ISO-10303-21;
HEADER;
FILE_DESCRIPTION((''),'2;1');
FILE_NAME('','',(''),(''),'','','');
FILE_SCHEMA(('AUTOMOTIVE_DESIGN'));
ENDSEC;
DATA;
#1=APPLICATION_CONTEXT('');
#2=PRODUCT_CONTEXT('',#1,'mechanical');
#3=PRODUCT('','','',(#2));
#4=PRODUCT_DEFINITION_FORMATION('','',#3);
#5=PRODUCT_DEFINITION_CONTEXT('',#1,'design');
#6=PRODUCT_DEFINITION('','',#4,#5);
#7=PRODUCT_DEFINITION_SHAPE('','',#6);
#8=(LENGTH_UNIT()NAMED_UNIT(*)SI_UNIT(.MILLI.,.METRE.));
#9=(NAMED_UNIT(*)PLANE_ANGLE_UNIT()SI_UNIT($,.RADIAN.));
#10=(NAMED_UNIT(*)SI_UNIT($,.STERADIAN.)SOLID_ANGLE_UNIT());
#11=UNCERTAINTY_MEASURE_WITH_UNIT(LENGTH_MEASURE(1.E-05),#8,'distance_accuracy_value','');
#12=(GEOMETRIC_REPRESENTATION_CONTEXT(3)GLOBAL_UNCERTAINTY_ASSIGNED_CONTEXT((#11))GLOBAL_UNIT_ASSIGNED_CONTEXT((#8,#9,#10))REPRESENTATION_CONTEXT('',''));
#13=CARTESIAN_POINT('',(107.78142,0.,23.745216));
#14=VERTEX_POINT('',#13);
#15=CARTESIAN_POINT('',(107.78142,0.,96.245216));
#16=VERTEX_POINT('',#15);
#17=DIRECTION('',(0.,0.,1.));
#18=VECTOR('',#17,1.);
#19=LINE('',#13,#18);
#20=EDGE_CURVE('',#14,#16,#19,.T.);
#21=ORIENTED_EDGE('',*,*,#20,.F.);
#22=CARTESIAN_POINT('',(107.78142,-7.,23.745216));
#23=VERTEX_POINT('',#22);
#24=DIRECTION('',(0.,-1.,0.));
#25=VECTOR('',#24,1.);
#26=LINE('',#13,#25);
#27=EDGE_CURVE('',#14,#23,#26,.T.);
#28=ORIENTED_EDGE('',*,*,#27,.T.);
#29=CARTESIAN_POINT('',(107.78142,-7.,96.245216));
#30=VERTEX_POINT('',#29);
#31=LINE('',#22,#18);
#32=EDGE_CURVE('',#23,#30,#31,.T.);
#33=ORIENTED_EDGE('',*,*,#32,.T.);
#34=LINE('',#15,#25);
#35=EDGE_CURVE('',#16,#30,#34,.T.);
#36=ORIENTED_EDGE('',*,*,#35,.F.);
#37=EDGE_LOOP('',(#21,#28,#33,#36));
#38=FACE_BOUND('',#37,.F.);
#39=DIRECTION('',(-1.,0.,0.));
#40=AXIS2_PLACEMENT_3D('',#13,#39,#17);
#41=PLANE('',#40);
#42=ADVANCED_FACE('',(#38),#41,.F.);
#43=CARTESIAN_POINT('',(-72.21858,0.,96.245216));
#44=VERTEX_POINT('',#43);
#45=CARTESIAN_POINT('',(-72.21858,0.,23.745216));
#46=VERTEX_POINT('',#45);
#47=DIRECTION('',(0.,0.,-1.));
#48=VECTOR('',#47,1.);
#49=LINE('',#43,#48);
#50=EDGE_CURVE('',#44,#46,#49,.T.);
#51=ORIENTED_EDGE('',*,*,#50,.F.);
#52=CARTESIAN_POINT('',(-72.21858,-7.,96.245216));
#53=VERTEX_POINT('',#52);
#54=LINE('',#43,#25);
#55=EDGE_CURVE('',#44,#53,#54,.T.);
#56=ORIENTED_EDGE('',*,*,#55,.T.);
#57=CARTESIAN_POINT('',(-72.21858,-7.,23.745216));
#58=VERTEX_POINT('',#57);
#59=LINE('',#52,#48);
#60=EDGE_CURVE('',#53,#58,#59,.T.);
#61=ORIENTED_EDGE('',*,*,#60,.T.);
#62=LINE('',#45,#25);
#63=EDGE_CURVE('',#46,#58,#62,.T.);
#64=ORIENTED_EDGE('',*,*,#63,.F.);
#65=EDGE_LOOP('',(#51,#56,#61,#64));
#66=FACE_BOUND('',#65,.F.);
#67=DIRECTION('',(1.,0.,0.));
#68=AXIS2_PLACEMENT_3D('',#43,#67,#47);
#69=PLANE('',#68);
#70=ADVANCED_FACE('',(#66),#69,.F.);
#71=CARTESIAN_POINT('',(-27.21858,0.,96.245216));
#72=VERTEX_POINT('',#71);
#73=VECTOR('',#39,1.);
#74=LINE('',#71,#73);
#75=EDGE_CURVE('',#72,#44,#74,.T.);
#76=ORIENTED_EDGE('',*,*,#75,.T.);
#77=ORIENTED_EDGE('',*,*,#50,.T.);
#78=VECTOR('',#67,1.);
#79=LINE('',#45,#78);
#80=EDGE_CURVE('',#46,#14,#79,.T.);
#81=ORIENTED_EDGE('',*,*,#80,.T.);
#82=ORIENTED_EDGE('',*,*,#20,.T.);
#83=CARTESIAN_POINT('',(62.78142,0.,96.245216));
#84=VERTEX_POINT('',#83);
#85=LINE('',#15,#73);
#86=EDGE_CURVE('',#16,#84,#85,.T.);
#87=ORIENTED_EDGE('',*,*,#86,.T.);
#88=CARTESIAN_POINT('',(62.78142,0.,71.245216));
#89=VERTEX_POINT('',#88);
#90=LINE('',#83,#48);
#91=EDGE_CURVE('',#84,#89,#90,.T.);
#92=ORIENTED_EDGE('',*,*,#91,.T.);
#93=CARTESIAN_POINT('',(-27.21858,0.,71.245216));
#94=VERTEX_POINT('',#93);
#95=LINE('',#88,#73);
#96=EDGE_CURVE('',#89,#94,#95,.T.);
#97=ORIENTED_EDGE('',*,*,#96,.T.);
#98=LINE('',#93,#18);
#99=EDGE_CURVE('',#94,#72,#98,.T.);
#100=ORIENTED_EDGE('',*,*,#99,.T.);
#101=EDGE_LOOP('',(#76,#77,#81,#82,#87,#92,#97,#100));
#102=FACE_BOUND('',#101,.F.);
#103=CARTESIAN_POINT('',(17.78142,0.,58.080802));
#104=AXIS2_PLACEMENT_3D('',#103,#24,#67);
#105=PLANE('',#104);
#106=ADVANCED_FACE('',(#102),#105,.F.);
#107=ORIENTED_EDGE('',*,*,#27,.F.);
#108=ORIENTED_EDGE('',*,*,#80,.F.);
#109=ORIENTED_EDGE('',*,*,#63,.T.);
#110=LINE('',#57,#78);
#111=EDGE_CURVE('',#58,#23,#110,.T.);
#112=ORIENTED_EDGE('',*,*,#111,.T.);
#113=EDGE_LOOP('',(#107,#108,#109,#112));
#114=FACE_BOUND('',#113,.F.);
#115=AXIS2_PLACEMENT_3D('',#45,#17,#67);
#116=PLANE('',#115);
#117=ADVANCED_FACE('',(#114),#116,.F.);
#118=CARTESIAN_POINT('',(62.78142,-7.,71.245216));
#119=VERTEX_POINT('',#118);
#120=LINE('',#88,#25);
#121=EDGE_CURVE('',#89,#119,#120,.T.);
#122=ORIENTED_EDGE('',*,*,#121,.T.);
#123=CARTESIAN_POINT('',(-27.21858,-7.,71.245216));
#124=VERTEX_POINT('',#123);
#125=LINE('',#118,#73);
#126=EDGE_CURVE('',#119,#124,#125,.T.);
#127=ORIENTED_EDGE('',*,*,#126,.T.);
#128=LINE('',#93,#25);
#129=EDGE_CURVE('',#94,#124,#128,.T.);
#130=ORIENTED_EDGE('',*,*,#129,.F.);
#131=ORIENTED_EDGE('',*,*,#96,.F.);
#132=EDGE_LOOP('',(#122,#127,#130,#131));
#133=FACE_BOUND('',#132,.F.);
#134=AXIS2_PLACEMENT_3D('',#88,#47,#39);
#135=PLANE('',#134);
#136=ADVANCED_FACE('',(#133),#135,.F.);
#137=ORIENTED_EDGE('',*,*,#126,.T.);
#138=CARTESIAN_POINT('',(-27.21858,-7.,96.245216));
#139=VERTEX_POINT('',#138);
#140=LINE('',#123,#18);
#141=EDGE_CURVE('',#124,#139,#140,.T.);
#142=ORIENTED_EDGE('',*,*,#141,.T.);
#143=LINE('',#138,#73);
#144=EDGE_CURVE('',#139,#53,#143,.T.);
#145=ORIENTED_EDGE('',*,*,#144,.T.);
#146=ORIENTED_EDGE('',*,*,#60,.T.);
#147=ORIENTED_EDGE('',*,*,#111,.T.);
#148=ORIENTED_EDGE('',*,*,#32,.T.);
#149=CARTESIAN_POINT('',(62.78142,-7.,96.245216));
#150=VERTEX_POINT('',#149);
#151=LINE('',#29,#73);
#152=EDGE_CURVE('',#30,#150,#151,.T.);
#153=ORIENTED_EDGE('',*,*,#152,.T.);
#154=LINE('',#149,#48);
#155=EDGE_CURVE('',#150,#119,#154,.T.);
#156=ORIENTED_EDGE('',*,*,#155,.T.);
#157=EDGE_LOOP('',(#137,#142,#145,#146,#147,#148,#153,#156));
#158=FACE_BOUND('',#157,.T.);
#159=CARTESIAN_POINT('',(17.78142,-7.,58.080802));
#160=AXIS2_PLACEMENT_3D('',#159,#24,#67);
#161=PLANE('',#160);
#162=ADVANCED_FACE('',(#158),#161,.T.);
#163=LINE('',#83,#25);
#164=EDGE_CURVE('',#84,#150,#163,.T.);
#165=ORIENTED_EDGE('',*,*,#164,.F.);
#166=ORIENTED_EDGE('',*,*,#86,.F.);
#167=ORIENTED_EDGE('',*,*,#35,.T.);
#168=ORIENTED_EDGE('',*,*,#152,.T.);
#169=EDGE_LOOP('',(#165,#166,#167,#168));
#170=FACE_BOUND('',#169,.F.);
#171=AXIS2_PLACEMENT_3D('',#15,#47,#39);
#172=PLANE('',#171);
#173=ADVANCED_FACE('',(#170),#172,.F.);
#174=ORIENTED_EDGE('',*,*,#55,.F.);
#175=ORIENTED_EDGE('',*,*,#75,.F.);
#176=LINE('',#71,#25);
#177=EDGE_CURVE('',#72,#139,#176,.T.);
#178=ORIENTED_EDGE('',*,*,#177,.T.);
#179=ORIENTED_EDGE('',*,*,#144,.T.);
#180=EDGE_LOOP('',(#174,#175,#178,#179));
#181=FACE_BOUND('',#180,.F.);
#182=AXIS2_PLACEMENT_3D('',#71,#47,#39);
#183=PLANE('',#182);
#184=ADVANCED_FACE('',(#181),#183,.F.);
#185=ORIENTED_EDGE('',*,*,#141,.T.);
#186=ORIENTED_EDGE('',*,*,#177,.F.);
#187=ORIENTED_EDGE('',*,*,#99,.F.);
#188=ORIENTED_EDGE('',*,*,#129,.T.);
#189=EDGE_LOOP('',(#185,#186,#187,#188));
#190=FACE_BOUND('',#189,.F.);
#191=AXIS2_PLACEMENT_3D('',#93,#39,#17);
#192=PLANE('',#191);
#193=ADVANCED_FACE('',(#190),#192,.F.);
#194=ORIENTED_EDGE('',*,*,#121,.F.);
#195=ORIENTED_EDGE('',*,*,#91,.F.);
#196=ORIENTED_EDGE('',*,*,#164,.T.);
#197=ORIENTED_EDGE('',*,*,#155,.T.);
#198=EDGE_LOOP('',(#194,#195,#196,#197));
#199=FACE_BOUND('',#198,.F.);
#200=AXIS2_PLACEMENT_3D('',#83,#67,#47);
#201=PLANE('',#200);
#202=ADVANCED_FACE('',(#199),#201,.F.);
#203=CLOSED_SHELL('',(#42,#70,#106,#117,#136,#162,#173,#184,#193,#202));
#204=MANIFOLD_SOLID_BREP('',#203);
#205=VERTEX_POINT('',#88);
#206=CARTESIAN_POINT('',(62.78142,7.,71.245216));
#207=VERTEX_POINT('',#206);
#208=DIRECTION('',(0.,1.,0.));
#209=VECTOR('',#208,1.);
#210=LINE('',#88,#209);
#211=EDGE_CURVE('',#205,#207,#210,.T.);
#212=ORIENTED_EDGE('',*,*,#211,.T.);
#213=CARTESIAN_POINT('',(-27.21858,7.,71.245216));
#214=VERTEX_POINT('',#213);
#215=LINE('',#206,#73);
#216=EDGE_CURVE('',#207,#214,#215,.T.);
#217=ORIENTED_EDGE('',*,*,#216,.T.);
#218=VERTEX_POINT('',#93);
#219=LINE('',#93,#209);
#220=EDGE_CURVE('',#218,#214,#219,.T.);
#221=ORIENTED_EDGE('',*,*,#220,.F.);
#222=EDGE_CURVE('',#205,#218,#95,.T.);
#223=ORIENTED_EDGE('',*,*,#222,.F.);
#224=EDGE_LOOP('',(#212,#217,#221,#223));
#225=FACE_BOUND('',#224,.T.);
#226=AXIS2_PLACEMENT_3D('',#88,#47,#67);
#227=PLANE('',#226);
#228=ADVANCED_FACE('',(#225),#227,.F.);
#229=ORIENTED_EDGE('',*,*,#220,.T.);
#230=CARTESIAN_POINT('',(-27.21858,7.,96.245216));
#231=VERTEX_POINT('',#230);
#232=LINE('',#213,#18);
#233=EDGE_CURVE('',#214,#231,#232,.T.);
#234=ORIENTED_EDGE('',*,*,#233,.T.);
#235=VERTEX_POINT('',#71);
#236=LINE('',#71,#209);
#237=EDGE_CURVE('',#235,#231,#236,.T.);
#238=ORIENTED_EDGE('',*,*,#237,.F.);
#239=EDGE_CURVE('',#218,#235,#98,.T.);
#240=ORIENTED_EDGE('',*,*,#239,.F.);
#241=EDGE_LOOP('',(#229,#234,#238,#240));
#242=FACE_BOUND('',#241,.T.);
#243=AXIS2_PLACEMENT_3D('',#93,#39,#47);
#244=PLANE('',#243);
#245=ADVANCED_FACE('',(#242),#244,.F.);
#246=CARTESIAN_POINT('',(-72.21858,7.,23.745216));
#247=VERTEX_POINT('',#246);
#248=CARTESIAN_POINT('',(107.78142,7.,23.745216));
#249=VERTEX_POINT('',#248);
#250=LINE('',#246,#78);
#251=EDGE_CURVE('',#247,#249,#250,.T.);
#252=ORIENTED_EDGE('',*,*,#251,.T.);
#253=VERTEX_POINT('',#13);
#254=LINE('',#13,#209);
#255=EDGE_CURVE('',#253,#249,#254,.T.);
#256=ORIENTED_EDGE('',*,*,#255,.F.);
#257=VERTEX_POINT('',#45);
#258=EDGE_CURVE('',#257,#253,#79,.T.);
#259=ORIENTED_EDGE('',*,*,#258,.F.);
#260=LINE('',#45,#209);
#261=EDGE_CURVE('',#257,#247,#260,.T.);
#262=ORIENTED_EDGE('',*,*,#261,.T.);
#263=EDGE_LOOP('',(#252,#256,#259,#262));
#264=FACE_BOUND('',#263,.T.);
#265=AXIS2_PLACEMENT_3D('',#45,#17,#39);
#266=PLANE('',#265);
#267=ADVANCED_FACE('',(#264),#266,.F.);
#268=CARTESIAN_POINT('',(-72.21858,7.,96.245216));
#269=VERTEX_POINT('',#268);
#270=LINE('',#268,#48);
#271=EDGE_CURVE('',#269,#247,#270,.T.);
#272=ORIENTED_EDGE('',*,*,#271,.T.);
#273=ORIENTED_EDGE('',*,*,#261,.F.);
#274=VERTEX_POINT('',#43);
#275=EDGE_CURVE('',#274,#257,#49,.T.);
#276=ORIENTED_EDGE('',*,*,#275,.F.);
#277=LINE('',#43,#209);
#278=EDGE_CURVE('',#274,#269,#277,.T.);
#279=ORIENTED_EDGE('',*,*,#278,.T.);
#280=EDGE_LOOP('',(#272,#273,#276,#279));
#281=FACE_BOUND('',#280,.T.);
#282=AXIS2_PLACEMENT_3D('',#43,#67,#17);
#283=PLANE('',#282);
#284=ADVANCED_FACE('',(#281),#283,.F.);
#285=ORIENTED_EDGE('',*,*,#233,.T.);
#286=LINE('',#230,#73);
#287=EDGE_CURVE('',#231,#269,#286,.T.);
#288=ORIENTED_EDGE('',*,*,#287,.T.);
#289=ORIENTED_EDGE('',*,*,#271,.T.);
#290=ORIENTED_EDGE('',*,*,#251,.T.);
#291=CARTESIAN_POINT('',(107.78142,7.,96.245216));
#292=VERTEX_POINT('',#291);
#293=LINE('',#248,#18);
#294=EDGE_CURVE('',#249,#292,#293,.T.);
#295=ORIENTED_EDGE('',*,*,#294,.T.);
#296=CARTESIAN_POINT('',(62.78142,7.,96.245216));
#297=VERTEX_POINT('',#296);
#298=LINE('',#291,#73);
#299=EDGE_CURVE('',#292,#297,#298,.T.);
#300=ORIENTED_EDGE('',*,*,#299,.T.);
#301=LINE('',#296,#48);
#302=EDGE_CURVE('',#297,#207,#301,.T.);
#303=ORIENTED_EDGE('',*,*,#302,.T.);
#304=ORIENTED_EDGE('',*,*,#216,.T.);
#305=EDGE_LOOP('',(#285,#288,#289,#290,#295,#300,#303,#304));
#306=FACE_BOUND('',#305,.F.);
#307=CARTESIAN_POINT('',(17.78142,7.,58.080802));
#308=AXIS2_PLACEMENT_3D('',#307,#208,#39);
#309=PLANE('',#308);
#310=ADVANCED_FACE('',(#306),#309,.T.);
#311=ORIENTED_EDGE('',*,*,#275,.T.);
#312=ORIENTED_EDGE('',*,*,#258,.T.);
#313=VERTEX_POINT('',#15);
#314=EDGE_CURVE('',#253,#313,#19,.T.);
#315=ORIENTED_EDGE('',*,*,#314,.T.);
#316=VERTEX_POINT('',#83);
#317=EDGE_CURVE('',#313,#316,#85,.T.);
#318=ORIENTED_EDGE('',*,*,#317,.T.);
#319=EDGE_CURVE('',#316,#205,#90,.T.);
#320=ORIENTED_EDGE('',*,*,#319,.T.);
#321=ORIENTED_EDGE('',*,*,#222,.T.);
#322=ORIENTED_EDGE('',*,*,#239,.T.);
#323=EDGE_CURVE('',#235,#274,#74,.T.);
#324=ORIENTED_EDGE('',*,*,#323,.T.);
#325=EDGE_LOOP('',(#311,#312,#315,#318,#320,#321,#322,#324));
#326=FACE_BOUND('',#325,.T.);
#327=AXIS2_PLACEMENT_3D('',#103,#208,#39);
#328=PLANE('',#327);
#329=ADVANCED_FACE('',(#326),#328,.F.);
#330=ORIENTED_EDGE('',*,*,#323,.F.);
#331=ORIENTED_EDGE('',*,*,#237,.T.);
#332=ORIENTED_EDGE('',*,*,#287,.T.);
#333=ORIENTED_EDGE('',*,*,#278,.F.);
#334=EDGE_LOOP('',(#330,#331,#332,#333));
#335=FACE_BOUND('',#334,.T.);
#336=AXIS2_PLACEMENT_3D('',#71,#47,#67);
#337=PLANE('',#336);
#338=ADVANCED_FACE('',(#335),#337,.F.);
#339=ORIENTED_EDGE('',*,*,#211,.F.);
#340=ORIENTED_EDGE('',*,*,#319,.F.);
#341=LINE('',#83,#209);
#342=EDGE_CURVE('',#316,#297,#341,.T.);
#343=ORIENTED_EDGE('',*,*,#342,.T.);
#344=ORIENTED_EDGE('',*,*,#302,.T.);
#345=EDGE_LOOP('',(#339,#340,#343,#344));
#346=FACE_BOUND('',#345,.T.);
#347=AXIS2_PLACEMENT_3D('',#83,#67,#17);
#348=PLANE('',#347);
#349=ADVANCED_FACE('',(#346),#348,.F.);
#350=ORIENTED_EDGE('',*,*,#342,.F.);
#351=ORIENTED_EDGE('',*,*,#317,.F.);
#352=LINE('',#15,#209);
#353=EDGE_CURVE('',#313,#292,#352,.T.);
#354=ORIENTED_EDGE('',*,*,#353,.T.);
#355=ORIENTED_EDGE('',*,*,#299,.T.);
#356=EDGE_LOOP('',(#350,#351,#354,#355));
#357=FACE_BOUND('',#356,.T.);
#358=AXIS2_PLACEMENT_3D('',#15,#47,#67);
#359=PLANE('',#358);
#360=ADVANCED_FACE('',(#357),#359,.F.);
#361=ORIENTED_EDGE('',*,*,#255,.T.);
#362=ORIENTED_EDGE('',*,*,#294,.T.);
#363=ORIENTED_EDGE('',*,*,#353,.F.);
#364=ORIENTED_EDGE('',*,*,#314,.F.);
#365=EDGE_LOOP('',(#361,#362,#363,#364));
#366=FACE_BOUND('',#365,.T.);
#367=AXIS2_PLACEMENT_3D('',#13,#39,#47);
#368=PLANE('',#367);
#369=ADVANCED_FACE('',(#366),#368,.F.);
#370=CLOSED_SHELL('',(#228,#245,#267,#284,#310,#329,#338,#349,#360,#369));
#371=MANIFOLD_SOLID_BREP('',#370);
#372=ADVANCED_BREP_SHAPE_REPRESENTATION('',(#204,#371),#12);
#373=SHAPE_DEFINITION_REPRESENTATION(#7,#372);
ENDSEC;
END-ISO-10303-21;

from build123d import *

# Parameters (mm, degrees)
F1_DEPTH = 7


with BuildPart() as f1:
    # F0 (on Front) → F1 (new body)
    with BuildSketch(Plane.XZ):
        Polygon((-72.21858, 96.245216), (-72.21858, 38.42797), (-72.21858, 23.745216), (107.78142, 23.745216), (107.78142, 96.245216), (62.78142, 96.245216), (62.78142, 71.245216), (-27.21858, 71.245216), (-27.21858, 96.245216), align=None)
    extrude(amount=F1_DEPTH)


with BuildPart() as f2_1:
    # F2: instance of F1
    add(f1.part.mirror(Plane.XZ))


solid = Compound([f1.part, f2_1.part])
